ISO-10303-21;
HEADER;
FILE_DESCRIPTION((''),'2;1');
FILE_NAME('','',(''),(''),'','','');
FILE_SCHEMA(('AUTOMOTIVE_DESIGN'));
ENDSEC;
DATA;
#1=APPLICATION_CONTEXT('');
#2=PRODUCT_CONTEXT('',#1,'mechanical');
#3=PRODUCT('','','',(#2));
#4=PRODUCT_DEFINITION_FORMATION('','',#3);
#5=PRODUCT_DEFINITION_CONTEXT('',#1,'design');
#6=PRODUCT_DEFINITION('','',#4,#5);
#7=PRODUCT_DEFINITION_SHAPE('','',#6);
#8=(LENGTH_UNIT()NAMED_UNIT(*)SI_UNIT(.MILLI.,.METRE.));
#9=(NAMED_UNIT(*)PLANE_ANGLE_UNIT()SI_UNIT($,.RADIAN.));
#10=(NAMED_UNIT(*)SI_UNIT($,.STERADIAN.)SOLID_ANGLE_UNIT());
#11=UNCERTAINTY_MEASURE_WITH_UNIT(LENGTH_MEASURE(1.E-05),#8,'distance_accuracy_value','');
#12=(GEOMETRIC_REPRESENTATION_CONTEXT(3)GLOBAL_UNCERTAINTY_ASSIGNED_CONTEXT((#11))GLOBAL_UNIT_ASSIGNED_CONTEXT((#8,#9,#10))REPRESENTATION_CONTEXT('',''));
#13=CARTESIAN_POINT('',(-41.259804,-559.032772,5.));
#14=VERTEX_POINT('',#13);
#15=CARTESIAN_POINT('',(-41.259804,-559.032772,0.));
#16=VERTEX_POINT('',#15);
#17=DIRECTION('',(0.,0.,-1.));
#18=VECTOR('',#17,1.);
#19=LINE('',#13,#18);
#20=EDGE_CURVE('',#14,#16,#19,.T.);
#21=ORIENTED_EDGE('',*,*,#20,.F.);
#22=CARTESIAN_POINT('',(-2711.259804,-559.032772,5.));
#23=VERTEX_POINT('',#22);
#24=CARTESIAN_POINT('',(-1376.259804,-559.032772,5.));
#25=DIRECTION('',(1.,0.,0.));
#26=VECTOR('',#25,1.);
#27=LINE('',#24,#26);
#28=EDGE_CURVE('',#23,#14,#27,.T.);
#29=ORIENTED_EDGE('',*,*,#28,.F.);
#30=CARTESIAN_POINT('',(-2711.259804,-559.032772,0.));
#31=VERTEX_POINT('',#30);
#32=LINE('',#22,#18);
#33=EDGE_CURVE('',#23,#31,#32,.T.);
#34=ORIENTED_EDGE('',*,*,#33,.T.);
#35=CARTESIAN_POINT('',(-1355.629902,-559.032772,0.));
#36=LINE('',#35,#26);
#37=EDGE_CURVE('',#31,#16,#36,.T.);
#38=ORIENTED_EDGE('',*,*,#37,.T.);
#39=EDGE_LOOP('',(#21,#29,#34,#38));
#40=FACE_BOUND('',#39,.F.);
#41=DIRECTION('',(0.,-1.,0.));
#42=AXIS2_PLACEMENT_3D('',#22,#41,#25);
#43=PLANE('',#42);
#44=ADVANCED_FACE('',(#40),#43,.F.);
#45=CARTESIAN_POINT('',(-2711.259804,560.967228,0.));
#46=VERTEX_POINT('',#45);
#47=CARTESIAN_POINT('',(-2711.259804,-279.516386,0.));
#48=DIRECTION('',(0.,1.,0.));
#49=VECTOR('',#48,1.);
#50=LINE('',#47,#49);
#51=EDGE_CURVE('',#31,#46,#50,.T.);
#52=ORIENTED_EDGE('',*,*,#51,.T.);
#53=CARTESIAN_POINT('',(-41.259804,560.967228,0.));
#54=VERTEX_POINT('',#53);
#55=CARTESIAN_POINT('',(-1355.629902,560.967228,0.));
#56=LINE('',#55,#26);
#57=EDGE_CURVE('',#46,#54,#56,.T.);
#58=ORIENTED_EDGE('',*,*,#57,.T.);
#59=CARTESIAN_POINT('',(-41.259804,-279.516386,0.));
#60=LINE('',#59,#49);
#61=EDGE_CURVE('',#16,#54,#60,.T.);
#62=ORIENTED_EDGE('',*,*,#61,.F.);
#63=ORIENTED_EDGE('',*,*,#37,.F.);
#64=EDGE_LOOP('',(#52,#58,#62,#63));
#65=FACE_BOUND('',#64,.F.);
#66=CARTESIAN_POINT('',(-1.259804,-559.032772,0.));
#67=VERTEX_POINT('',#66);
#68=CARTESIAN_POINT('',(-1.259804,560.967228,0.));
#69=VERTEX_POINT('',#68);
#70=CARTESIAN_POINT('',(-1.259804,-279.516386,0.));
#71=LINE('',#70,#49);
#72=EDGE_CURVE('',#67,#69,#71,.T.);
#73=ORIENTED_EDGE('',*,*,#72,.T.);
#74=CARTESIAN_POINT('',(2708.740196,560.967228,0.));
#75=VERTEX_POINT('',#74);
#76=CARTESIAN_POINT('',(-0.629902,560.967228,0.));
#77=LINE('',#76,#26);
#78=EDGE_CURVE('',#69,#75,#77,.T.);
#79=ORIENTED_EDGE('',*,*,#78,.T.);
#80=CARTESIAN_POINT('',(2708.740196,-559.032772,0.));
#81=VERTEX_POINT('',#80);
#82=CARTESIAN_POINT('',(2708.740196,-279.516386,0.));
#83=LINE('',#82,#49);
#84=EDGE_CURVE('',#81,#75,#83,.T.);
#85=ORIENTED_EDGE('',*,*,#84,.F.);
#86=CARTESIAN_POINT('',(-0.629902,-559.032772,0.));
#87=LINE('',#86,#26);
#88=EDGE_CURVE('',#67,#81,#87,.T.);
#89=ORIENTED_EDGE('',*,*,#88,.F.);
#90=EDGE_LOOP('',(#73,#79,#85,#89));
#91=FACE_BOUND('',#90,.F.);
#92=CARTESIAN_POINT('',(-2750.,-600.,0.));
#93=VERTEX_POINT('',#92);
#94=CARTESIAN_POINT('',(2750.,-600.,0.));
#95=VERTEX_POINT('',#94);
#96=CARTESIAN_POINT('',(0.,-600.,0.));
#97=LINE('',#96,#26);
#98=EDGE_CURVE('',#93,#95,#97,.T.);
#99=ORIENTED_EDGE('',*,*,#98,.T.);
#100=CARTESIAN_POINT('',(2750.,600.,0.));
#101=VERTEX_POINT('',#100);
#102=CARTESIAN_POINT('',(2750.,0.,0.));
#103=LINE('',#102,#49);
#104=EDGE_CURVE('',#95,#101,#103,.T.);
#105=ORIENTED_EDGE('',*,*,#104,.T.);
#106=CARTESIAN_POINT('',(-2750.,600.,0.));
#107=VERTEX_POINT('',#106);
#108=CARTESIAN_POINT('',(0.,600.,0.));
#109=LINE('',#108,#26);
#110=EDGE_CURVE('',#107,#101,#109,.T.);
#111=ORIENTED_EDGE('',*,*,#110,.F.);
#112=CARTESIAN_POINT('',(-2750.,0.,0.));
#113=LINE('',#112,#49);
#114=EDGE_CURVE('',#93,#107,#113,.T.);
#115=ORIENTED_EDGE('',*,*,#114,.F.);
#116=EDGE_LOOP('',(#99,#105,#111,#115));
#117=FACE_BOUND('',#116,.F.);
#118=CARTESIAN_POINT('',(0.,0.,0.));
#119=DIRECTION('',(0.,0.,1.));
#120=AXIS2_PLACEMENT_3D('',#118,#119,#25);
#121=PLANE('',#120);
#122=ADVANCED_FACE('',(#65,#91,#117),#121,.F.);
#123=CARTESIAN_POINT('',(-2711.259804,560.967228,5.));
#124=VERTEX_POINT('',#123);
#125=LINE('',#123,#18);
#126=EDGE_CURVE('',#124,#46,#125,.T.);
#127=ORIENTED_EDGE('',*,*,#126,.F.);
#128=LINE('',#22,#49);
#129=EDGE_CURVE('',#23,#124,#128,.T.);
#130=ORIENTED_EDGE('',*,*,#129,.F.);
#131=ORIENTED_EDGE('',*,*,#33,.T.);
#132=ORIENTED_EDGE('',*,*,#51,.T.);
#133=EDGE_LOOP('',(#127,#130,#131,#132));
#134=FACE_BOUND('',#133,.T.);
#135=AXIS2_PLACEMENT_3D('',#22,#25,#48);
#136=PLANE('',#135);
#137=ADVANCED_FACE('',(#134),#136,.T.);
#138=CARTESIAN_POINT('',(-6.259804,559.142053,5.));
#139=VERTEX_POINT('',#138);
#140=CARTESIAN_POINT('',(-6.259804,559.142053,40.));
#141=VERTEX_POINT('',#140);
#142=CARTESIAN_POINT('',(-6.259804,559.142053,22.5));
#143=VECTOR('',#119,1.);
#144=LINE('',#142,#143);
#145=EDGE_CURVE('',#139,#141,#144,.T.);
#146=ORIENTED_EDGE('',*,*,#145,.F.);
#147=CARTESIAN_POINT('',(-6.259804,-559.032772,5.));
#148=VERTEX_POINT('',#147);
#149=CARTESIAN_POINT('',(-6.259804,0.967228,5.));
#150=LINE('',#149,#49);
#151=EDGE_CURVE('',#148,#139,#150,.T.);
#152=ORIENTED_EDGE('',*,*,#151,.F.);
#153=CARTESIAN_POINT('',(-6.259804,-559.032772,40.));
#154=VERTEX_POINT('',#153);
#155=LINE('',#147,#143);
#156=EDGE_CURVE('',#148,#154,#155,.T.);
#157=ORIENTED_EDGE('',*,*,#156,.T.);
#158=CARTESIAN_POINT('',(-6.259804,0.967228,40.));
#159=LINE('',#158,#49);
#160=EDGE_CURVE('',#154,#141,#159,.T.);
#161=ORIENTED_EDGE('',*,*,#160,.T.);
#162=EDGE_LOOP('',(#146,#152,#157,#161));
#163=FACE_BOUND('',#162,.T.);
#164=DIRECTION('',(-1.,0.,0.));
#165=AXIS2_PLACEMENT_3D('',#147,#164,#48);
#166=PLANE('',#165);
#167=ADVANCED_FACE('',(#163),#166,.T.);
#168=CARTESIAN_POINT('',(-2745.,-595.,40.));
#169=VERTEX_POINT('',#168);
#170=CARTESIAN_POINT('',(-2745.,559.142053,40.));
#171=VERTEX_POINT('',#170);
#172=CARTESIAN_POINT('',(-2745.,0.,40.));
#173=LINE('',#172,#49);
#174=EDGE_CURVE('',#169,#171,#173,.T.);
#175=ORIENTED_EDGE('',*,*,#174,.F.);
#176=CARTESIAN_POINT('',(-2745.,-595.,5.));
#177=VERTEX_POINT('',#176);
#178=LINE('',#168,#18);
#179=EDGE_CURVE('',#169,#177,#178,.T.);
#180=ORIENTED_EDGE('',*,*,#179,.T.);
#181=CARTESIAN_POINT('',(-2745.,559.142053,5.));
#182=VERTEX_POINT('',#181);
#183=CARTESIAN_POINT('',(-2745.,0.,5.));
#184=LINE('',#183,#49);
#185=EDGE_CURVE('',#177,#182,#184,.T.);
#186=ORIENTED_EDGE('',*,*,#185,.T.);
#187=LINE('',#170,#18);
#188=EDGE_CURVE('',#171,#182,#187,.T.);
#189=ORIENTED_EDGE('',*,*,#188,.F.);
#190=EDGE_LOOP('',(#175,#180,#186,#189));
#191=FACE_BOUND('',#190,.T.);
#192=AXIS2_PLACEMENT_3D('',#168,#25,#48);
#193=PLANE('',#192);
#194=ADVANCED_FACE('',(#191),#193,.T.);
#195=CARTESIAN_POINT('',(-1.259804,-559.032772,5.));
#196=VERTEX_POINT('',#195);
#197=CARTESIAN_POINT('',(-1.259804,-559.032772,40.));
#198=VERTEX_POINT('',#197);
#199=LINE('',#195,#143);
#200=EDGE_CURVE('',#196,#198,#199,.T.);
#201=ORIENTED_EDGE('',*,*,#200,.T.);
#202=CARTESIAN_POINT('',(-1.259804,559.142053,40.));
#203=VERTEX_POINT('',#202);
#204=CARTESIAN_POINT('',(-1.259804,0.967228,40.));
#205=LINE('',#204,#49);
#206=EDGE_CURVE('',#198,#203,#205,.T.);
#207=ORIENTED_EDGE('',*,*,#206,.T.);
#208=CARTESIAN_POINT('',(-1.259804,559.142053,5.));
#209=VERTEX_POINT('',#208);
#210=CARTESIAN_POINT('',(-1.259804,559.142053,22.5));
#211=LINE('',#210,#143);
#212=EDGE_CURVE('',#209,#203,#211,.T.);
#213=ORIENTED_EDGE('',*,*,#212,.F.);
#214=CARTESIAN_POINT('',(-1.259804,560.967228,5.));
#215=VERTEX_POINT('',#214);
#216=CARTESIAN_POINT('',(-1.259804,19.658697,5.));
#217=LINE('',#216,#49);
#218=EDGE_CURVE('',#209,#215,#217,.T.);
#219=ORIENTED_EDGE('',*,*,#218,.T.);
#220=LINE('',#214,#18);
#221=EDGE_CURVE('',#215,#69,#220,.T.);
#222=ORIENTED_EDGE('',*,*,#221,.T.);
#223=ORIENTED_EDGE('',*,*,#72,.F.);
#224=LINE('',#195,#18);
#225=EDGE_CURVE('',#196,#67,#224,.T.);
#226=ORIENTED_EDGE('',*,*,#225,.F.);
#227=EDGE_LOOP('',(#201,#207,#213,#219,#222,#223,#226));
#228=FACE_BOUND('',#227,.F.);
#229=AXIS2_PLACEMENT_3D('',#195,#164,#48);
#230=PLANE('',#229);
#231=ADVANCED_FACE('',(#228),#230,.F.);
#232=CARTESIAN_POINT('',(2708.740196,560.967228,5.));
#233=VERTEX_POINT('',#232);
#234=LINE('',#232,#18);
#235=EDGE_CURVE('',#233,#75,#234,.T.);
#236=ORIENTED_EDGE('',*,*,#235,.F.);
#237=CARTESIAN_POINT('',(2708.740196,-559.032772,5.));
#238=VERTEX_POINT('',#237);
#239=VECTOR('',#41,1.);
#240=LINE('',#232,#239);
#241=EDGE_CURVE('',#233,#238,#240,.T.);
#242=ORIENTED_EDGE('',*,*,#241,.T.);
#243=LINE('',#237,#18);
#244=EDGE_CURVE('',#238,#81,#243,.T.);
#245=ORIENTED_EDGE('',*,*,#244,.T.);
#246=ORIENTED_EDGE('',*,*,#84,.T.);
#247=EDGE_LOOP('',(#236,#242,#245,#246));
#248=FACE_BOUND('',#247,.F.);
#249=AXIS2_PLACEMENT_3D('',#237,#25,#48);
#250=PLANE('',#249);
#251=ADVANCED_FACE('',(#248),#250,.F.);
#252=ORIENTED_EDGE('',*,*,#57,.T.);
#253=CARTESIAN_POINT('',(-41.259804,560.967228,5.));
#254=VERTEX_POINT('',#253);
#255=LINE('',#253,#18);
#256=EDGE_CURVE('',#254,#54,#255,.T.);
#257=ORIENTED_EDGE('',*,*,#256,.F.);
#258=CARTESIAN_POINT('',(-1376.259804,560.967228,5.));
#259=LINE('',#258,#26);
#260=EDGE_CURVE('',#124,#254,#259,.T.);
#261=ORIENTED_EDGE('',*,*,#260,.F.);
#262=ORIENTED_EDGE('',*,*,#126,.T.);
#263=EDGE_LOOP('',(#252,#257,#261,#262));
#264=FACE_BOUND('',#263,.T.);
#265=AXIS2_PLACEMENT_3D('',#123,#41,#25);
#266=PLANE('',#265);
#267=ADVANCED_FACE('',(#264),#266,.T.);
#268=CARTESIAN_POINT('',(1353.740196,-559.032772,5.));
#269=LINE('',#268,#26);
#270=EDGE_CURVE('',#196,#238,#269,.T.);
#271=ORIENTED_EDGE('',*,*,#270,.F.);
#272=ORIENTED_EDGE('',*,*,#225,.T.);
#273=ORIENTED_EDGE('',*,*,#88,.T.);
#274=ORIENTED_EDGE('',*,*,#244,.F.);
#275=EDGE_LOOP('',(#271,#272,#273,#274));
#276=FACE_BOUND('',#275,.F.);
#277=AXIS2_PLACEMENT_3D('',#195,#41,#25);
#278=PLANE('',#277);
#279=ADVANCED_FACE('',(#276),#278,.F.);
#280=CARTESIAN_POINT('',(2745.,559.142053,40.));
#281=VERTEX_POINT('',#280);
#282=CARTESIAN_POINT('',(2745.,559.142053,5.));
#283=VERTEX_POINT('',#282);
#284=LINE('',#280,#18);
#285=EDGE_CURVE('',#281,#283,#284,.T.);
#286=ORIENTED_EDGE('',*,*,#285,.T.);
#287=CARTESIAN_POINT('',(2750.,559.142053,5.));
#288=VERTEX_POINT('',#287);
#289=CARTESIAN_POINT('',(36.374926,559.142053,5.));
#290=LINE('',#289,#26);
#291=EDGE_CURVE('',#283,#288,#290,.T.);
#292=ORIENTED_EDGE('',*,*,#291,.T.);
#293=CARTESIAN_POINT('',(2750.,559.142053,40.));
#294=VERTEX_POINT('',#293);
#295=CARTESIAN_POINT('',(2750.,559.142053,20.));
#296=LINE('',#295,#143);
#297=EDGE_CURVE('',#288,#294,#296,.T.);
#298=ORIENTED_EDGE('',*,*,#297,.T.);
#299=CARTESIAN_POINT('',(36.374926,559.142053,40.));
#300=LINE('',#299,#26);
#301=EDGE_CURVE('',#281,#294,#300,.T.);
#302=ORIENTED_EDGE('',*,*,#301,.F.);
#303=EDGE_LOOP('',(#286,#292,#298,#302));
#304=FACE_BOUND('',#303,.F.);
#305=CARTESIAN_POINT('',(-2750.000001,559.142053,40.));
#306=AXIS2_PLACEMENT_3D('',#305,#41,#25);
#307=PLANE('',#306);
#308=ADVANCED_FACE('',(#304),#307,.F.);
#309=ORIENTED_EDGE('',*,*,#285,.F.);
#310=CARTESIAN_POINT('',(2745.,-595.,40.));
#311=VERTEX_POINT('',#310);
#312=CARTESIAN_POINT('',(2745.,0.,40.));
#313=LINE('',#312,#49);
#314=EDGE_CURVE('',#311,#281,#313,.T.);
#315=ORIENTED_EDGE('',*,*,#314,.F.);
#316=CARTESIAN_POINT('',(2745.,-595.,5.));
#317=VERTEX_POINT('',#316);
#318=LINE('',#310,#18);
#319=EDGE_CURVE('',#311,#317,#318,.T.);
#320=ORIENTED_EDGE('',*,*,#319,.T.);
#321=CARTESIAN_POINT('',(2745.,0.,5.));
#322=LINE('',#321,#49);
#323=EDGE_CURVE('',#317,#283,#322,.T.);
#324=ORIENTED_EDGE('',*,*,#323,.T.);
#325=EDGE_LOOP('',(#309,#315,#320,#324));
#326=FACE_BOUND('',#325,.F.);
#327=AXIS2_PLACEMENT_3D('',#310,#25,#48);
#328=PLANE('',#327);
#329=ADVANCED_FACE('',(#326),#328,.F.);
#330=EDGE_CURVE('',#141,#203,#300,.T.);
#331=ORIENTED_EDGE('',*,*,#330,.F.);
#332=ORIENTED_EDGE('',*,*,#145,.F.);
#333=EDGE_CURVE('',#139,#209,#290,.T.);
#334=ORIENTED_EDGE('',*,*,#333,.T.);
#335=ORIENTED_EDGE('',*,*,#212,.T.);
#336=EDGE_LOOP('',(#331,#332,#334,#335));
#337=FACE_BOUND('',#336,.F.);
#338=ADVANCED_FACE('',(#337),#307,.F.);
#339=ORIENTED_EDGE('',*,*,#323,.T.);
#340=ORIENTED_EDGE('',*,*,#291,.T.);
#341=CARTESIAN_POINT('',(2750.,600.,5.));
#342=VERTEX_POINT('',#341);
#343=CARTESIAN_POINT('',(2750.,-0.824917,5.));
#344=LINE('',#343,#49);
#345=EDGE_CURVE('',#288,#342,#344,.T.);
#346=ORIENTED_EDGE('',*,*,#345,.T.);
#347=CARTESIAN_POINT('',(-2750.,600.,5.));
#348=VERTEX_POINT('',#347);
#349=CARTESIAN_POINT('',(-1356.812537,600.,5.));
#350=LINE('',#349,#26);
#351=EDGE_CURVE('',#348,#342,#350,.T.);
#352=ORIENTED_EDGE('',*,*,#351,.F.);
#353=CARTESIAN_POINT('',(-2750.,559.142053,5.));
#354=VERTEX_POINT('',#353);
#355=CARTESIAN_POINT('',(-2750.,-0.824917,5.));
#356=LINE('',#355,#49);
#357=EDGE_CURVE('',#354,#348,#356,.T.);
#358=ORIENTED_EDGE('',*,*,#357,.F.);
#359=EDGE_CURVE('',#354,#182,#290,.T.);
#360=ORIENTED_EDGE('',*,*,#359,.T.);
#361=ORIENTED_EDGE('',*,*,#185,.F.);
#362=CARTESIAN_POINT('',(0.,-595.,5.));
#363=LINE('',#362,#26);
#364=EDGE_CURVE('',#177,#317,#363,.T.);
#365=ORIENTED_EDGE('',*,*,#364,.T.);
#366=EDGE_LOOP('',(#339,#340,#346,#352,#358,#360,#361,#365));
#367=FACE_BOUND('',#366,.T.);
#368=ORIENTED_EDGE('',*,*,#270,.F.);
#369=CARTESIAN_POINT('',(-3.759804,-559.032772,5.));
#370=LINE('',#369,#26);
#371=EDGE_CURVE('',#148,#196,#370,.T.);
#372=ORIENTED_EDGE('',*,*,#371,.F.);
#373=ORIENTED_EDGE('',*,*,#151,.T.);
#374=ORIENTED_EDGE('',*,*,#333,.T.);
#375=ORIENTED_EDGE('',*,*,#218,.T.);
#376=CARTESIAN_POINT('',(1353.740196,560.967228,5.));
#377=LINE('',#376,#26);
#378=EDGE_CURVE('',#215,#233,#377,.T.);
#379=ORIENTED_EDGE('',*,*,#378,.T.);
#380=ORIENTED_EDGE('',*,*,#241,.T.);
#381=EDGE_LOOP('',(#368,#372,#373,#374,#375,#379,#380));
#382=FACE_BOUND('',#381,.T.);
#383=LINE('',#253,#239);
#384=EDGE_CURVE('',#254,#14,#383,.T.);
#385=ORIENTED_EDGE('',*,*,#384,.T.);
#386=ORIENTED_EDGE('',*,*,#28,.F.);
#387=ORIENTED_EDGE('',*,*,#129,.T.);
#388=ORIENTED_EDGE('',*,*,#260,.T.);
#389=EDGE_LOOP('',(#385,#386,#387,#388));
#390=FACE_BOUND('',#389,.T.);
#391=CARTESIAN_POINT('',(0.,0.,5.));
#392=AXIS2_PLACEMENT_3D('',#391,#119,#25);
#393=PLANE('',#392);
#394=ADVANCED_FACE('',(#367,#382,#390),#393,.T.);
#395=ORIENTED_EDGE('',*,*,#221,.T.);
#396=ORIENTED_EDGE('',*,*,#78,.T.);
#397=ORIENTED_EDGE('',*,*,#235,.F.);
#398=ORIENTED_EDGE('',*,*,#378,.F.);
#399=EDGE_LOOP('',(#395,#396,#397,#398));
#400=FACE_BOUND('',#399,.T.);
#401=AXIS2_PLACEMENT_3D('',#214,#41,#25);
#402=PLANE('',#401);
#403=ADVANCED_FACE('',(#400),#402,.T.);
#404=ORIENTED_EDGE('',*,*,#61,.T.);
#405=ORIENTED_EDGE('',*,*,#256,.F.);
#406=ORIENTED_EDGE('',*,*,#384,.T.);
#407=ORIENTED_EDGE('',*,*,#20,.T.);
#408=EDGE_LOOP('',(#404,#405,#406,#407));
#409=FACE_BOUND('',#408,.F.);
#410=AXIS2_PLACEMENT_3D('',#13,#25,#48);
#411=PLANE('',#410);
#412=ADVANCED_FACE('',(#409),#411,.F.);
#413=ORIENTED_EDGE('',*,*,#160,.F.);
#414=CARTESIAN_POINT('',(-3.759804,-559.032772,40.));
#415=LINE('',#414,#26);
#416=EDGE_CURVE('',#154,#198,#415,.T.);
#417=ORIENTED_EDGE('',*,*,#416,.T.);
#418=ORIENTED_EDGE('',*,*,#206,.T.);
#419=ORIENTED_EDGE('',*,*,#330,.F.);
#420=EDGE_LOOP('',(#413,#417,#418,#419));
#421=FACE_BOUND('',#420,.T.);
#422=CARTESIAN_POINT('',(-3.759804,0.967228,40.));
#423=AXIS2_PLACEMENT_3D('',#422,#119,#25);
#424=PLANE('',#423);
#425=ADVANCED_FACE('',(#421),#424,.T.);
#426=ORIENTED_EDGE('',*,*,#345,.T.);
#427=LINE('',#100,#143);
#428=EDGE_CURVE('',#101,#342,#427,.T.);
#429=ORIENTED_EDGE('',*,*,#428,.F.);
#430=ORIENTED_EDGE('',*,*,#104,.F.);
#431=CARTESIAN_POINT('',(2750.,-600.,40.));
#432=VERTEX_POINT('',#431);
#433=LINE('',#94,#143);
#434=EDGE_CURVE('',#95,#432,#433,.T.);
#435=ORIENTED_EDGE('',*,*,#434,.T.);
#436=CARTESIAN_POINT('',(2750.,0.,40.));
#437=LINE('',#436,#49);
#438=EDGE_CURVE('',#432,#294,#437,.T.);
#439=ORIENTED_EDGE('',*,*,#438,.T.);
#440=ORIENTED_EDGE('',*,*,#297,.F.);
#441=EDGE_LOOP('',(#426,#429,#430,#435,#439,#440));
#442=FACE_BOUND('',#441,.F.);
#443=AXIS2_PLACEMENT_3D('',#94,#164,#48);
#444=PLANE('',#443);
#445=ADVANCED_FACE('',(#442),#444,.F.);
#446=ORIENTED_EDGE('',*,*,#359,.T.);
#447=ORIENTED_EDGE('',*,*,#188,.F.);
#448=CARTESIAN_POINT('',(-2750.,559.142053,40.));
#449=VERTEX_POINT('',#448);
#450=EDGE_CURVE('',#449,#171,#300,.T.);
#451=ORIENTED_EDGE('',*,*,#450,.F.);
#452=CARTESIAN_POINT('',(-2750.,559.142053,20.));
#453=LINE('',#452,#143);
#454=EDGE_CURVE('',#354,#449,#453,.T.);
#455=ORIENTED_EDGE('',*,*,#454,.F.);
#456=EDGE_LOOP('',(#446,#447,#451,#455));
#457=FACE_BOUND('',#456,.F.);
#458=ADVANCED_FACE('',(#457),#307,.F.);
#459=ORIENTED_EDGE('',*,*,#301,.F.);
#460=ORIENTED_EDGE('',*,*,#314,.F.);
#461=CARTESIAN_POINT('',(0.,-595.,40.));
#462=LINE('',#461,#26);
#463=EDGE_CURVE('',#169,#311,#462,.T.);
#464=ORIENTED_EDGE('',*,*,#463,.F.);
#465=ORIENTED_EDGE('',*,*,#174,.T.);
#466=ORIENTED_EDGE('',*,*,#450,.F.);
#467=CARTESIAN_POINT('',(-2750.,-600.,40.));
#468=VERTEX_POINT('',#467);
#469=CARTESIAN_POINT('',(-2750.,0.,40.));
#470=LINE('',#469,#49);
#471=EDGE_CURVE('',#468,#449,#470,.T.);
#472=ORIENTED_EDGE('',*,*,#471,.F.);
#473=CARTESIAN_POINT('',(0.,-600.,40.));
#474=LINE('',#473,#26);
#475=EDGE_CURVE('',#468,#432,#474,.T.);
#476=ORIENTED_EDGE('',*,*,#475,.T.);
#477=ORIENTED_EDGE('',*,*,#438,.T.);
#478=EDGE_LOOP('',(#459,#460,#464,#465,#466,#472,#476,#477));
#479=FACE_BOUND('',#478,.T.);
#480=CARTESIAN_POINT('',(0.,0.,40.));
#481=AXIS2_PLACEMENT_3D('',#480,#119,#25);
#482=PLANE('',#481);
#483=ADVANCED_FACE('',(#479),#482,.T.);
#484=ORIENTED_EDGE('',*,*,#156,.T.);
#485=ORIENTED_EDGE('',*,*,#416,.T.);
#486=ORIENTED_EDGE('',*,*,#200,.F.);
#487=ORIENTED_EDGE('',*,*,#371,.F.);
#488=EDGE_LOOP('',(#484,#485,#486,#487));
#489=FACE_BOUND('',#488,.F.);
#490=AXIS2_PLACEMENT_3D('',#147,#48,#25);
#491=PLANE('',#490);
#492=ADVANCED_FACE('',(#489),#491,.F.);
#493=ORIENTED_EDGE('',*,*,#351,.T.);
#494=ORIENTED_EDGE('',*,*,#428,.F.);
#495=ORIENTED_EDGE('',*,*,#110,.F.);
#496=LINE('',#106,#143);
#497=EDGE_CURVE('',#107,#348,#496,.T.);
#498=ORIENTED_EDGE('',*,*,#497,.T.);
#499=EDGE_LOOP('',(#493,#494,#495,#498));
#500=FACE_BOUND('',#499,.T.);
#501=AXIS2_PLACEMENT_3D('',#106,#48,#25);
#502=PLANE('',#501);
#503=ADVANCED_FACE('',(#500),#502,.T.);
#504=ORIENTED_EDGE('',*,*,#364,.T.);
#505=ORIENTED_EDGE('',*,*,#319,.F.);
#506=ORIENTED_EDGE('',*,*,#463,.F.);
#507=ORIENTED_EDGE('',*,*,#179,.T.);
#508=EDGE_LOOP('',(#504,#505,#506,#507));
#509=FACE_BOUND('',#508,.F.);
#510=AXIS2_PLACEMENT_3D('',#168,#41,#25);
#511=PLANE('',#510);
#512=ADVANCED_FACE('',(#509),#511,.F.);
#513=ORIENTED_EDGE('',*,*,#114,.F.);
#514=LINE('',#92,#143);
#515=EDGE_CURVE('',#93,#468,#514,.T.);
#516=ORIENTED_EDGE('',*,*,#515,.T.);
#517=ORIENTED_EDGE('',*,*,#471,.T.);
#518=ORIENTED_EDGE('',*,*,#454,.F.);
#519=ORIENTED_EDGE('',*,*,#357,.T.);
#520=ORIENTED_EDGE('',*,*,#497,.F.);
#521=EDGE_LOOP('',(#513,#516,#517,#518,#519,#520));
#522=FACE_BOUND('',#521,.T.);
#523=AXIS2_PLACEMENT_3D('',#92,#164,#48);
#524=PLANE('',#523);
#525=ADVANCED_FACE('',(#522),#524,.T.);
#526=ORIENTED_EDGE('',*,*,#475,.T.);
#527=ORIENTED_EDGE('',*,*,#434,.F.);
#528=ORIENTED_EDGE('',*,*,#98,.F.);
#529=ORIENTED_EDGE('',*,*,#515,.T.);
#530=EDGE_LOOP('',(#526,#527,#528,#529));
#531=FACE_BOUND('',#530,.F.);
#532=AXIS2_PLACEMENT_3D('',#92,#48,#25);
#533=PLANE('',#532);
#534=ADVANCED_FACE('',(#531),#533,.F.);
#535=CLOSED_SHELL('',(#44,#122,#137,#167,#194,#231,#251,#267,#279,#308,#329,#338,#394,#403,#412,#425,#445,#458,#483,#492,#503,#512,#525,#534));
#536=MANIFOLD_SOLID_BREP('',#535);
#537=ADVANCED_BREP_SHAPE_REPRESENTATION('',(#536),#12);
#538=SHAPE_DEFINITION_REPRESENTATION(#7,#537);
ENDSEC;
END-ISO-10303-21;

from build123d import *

# Parameters (mm, degrees)
F0_W     = 5500
F0_H     = 1200
F1_DEPTH = 40
F2_W     = 5490
F2_H     = 1190
F3_DEPTH = 35
F4_W     = 2670
F4_H     = 1120
F4_W_2   = 2710
F5_DEPTH = 25
F6_W     = 5
F6_H     = 1120
F7_DEPTH = 35
F8_W     = 5572.749853
F8_H     = 78.416228
F9_DEPTH = 35


with BuildPart() as f1:
    # F0 (on Top) → F1 (new body)
    with BuildSketch(Plane.XY):
        Rectangle(F0_W, F0_H)
    extrude(amount=F1_DEPTH)

    # F2 (on face) → F3 (cut)
    with BuildSketch(Plane.XY.offset(40)):
        Rectangle(F2_W, F2_H)
    extrude(amount=-F3_DEPTH, mode=Mode.SUBTRACT)

    # F4 (on face) → F5 (cut)
    with BuildSketch(Plane.XY.offset(5)):
        with Locations((-1376.259804, 0.967228)):
            Rectangle(F4_W, F4_H)
        with Locations((1353.740196, 0.967228)):
            Rectangle(F4_W_2, F4_H)
    extrude(amount=-F5_DEPTH, mode=Mode.SUBTRACT)

    # F6 (on face) → F7 (join)
    with BuildSketch(Plane.XY.offset(5)):
        with Locations((-3.759804, 0.967228)):
            Rectangle(F6_W, F6_H)
    extrude(amount=F7_DEPTH)

    # F8 (on face) → F9 (cut)
    with BuildSketch(Plane.XY.offset(40)):
        with Locations((36.374926, 598.350167)):
            Rectangle(F8_W, F8_H)
    extrude(amount=-F9_DEPTH, mode=Mode.SUBTRACT)


solid = f1.part
